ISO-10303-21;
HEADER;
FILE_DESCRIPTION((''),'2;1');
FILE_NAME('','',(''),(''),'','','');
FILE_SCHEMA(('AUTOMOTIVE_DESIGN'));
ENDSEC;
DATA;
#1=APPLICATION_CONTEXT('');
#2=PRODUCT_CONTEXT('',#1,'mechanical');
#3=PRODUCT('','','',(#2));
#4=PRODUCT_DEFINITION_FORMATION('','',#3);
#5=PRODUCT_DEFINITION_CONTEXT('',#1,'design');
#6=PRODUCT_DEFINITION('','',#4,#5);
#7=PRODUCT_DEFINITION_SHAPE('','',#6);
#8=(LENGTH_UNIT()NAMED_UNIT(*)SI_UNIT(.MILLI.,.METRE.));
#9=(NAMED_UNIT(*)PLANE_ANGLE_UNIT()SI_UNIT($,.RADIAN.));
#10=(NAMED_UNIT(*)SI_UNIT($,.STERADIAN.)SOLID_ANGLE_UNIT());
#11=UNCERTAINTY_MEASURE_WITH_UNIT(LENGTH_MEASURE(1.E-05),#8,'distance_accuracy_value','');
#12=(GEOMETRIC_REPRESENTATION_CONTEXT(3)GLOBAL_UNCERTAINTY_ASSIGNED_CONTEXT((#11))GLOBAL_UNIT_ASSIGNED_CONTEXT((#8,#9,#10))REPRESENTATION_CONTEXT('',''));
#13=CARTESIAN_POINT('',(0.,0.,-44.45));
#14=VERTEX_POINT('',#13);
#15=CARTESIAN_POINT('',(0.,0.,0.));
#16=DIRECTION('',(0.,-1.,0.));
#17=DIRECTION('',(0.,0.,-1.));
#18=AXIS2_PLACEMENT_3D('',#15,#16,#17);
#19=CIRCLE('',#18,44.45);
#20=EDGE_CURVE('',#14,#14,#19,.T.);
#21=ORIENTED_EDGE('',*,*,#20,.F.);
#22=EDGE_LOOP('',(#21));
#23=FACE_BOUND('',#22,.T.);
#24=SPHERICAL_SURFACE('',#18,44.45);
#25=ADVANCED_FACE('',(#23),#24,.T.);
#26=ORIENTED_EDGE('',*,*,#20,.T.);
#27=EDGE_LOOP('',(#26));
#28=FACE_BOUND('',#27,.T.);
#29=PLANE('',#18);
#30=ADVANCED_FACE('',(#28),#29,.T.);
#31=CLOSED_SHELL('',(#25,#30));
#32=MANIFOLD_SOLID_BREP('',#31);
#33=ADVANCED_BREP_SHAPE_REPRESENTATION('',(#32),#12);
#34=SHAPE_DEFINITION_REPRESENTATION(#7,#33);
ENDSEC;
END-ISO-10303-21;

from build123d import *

# Parameters (mm, degrees)
REVOLVE1_ANGLE = 180


with BuildPart() as part:
    # Sketch1 → Revolve1 (revolve)
    with BuildSketch(Plane(origin=(0, 0, 0), x_dir=(1, 0, 0), z_dir=(0, 1, 0))):
        with BuildLine():
            Line((-44.45, 0), (44.45, 0))
            ThreePointArc((44.45, 0), (0, 44.45), (-44.45, 0))
        make_face()
    revolve(axis=Axis((-44.45, 0, 0), (1, 0, 0)), revolution_arc=REVOLVE1_ANGLE)


solid = part.part
